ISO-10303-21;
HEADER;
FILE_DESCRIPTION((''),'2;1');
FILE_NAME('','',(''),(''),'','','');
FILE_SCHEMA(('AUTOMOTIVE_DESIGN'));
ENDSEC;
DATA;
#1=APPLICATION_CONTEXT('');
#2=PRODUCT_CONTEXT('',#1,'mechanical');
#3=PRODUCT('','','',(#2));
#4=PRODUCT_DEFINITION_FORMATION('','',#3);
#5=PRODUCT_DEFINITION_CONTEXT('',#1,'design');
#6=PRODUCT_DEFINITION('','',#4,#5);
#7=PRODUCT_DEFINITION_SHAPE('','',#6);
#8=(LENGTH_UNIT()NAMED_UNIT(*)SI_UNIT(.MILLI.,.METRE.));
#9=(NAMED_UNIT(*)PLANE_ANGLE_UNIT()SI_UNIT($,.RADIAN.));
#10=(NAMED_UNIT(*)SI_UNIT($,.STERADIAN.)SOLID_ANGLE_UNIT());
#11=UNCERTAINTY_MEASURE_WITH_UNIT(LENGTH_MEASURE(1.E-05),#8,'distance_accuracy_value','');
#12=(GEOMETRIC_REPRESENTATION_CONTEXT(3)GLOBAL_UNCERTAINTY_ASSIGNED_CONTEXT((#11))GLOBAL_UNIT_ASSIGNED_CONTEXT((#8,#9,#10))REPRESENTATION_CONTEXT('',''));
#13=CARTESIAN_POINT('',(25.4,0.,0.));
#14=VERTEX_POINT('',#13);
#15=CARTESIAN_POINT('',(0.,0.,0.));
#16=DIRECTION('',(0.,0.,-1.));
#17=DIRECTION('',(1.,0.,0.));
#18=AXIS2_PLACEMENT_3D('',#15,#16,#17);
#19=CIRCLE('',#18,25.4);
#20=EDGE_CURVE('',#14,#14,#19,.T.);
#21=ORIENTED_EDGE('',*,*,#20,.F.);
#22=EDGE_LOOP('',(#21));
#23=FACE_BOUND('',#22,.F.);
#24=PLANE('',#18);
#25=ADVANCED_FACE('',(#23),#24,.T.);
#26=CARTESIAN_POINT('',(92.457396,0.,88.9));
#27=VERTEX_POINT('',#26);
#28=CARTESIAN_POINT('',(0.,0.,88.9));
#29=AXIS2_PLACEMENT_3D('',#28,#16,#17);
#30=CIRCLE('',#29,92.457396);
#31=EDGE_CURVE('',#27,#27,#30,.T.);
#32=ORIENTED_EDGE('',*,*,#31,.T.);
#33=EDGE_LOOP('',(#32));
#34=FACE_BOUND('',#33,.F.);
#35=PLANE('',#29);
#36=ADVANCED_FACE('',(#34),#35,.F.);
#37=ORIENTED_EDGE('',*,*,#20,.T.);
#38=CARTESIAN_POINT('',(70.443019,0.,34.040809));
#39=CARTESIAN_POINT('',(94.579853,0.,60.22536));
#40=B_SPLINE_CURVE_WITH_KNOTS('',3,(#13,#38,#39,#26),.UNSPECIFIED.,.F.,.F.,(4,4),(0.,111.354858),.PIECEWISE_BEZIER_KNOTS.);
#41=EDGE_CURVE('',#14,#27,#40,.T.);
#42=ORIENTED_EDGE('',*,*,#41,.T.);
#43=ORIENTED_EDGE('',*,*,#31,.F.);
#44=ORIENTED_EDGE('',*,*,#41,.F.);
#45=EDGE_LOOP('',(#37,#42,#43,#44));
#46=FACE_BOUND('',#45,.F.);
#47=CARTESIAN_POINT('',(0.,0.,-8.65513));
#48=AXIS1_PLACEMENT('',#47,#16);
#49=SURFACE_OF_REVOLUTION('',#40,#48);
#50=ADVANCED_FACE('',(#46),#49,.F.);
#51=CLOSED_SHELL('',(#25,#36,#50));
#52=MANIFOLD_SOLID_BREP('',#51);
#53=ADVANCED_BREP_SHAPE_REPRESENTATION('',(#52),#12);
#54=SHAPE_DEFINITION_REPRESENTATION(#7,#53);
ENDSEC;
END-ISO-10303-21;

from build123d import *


with BuildPart() as f1:
    # F0 (on Front) → F1 (revolve)
    with BuildSketch(Plane.XZ):
        with BuildLine():
            Line((0, 88.9), (0, 0))
            Line((0, 0), (25.4, 0))
            add(Edge.make_bspline(
                [(25.4, 0), (70.443019, 34.040809), (94.579853, 60.22536), (92.457396, 88.9)],
                knots=[0, 0, 0, 0, 111.354858, 111.354858, 111.354858, 111.354858], degree=3))
            Line((92.457396, 88.9), (0, 88.9))
        make_face()
    revolve(axis=Axis((0, 0, -8.65513), (0, 0, -1)))


solid = f1.part
